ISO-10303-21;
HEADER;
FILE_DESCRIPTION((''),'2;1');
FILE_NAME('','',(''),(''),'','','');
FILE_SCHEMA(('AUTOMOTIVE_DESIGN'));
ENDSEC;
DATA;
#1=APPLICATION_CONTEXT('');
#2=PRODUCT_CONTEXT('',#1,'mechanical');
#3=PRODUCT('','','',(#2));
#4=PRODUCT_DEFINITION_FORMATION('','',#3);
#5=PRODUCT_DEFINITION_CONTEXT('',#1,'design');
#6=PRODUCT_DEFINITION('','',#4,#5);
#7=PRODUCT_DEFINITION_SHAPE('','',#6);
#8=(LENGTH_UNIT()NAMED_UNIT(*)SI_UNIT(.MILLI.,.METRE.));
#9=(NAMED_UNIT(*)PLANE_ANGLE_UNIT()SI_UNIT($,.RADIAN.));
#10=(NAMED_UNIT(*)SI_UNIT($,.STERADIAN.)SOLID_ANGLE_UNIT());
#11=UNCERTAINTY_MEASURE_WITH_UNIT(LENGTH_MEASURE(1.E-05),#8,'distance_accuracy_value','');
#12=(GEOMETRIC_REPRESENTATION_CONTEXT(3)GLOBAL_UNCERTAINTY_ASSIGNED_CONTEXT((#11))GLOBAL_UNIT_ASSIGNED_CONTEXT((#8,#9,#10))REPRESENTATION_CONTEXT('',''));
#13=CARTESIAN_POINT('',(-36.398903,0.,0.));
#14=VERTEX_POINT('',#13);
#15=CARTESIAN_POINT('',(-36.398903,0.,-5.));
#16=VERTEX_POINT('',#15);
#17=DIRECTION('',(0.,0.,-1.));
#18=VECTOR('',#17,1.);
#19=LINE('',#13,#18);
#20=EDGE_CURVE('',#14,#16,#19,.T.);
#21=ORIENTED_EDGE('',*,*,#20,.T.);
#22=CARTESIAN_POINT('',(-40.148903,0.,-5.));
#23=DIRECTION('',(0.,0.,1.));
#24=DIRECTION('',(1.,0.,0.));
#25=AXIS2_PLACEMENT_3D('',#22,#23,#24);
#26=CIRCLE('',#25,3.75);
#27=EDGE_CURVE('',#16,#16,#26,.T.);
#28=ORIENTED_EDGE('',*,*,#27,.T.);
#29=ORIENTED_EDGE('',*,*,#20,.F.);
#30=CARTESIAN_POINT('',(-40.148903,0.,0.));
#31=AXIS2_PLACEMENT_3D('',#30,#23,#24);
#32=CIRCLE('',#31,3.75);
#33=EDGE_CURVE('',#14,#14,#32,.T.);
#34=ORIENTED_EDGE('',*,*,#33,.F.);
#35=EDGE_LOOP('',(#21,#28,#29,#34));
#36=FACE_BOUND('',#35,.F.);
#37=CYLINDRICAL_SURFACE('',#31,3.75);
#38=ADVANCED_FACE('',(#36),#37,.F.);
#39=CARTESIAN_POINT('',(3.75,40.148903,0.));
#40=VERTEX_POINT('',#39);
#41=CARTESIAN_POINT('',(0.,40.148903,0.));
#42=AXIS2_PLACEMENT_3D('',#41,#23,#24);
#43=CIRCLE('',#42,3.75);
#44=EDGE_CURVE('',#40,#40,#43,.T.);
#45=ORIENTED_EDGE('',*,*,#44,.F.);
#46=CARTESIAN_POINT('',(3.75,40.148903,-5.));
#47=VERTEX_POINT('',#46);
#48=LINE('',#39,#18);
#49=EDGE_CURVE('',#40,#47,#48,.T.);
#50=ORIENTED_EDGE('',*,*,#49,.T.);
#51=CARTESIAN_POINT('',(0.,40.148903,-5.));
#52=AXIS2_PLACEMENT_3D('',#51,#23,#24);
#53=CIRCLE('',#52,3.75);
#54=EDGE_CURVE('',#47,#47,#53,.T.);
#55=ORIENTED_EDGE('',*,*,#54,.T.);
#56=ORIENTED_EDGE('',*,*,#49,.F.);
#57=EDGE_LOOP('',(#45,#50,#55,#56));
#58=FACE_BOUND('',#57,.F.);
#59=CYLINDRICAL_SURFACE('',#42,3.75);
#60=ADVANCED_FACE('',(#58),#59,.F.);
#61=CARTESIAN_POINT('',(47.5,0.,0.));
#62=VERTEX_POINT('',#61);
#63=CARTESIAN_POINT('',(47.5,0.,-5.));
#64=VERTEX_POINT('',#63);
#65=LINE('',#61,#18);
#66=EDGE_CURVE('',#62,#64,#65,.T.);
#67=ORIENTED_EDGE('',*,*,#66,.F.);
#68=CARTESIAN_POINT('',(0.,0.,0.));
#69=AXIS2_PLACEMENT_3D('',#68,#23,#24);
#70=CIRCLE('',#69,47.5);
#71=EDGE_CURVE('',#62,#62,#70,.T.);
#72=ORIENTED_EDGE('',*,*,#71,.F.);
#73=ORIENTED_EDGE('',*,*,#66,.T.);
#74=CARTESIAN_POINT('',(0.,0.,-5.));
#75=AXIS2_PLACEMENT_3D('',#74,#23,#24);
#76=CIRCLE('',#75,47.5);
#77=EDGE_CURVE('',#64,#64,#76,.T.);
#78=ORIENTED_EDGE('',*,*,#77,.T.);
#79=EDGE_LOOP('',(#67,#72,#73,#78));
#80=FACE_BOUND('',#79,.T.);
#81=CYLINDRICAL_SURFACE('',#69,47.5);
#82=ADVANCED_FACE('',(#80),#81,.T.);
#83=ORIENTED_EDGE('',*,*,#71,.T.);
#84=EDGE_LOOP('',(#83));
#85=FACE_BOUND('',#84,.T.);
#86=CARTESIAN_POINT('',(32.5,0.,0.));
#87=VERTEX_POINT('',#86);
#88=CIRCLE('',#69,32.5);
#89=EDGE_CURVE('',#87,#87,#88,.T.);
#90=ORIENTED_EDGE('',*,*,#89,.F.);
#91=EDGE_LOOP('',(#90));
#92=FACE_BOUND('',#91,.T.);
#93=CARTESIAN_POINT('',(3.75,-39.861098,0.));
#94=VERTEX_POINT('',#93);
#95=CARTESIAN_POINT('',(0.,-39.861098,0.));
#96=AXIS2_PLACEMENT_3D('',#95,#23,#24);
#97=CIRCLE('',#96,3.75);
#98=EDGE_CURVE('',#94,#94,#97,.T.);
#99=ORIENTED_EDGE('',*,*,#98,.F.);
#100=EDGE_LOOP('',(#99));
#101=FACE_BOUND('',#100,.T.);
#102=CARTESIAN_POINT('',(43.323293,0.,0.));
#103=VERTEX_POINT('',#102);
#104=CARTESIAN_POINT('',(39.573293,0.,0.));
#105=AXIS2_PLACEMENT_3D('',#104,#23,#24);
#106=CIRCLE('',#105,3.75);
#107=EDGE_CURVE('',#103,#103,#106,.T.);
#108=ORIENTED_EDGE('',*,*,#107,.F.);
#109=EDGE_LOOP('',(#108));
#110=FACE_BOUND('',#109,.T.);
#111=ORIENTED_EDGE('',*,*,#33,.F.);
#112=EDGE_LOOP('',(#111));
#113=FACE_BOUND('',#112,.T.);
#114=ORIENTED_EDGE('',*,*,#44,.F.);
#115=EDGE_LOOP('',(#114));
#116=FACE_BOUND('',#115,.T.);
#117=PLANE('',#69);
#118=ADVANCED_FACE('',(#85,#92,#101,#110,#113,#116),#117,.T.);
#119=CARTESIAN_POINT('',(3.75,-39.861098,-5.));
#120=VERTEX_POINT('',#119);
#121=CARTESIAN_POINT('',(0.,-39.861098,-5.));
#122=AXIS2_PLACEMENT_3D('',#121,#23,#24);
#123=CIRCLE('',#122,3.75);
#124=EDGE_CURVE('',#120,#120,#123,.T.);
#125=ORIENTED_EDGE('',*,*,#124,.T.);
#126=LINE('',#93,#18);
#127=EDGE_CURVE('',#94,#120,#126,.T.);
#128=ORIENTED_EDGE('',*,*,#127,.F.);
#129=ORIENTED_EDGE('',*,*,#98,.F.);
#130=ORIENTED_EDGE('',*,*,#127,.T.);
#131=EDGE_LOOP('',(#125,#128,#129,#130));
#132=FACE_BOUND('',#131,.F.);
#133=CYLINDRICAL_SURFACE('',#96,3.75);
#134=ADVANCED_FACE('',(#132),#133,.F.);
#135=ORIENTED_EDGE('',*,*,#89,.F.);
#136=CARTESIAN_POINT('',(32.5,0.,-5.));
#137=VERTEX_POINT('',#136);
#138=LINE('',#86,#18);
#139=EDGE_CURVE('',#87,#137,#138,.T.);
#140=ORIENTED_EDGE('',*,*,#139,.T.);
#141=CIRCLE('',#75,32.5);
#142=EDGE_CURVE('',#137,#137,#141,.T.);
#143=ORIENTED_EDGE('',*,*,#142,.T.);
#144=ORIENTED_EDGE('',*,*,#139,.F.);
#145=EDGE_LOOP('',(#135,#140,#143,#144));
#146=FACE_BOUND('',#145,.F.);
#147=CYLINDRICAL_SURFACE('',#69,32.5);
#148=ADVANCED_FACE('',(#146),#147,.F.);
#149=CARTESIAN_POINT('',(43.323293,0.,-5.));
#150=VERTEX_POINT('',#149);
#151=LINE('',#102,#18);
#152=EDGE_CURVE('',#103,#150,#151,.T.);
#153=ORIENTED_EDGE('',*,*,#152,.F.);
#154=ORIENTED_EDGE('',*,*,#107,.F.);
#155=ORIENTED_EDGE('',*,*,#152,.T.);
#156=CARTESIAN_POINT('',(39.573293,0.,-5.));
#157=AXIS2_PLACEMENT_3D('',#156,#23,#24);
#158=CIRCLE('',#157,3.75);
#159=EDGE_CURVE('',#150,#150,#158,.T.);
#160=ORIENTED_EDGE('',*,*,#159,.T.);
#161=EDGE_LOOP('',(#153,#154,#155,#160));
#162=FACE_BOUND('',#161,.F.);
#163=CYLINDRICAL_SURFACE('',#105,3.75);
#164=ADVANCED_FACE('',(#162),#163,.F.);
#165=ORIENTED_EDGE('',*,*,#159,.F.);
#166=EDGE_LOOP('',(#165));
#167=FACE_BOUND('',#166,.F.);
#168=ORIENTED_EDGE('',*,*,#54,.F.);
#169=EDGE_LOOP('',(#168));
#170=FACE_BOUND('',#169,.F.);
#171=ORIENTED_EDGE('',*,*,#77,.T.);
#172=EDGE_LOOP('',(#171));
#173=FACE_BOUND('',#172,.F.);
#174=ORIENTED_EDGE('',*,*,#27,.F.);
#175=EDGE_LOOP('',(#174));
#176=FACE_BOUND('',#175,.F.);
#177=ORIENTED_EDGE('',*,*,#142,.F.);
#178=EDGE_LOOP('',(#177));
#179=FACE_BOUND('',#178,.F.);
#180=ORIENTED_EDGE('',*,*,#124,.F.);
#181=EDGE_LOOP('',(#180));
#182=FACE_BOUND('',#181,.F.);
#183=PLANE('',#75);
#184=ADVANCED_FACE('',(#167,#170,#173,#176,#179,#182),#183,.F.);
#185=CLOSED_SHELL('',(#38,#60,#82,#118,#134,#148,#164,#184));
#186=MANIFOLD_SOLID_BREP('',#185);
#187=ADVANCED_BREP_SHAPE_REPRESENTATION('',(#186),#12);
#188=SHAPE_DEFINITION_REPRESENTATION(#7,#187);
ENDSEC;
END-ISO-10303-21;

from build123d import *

# Parameters (mm, degrees)
F0_R     = 47.5
F0_R_2   = 3.75
F0_R_3   = 32.5
F1_DEPTH = 5


with BuildPart() as f1:
    # F0 (on Top) → F1 (new body)
    with BuildSketch(Plane.XY):
        Circle(F0_R)
        with Locations((0, -39.861098)):
            Circle(F0_R_2, mode=Mode.SUBTRACT)
        with Locations((-40.148903, 0)):
            Circle(F0_R_2, mode=Mode.SUBTRACT)
        Circle(F0_R_3, mode=Mode.SUBTRACT)
        with Locations((39.573293, 0)):
            Circle(F0_R_2, mode=Mode.SUBTRACT)
        with Locations((0, 40.148903)):
            Circle(F0_R_2, mode=Mode.SUBTRACT)
    extrude(amount=-F1_DEPTH)


solid = f1.part
